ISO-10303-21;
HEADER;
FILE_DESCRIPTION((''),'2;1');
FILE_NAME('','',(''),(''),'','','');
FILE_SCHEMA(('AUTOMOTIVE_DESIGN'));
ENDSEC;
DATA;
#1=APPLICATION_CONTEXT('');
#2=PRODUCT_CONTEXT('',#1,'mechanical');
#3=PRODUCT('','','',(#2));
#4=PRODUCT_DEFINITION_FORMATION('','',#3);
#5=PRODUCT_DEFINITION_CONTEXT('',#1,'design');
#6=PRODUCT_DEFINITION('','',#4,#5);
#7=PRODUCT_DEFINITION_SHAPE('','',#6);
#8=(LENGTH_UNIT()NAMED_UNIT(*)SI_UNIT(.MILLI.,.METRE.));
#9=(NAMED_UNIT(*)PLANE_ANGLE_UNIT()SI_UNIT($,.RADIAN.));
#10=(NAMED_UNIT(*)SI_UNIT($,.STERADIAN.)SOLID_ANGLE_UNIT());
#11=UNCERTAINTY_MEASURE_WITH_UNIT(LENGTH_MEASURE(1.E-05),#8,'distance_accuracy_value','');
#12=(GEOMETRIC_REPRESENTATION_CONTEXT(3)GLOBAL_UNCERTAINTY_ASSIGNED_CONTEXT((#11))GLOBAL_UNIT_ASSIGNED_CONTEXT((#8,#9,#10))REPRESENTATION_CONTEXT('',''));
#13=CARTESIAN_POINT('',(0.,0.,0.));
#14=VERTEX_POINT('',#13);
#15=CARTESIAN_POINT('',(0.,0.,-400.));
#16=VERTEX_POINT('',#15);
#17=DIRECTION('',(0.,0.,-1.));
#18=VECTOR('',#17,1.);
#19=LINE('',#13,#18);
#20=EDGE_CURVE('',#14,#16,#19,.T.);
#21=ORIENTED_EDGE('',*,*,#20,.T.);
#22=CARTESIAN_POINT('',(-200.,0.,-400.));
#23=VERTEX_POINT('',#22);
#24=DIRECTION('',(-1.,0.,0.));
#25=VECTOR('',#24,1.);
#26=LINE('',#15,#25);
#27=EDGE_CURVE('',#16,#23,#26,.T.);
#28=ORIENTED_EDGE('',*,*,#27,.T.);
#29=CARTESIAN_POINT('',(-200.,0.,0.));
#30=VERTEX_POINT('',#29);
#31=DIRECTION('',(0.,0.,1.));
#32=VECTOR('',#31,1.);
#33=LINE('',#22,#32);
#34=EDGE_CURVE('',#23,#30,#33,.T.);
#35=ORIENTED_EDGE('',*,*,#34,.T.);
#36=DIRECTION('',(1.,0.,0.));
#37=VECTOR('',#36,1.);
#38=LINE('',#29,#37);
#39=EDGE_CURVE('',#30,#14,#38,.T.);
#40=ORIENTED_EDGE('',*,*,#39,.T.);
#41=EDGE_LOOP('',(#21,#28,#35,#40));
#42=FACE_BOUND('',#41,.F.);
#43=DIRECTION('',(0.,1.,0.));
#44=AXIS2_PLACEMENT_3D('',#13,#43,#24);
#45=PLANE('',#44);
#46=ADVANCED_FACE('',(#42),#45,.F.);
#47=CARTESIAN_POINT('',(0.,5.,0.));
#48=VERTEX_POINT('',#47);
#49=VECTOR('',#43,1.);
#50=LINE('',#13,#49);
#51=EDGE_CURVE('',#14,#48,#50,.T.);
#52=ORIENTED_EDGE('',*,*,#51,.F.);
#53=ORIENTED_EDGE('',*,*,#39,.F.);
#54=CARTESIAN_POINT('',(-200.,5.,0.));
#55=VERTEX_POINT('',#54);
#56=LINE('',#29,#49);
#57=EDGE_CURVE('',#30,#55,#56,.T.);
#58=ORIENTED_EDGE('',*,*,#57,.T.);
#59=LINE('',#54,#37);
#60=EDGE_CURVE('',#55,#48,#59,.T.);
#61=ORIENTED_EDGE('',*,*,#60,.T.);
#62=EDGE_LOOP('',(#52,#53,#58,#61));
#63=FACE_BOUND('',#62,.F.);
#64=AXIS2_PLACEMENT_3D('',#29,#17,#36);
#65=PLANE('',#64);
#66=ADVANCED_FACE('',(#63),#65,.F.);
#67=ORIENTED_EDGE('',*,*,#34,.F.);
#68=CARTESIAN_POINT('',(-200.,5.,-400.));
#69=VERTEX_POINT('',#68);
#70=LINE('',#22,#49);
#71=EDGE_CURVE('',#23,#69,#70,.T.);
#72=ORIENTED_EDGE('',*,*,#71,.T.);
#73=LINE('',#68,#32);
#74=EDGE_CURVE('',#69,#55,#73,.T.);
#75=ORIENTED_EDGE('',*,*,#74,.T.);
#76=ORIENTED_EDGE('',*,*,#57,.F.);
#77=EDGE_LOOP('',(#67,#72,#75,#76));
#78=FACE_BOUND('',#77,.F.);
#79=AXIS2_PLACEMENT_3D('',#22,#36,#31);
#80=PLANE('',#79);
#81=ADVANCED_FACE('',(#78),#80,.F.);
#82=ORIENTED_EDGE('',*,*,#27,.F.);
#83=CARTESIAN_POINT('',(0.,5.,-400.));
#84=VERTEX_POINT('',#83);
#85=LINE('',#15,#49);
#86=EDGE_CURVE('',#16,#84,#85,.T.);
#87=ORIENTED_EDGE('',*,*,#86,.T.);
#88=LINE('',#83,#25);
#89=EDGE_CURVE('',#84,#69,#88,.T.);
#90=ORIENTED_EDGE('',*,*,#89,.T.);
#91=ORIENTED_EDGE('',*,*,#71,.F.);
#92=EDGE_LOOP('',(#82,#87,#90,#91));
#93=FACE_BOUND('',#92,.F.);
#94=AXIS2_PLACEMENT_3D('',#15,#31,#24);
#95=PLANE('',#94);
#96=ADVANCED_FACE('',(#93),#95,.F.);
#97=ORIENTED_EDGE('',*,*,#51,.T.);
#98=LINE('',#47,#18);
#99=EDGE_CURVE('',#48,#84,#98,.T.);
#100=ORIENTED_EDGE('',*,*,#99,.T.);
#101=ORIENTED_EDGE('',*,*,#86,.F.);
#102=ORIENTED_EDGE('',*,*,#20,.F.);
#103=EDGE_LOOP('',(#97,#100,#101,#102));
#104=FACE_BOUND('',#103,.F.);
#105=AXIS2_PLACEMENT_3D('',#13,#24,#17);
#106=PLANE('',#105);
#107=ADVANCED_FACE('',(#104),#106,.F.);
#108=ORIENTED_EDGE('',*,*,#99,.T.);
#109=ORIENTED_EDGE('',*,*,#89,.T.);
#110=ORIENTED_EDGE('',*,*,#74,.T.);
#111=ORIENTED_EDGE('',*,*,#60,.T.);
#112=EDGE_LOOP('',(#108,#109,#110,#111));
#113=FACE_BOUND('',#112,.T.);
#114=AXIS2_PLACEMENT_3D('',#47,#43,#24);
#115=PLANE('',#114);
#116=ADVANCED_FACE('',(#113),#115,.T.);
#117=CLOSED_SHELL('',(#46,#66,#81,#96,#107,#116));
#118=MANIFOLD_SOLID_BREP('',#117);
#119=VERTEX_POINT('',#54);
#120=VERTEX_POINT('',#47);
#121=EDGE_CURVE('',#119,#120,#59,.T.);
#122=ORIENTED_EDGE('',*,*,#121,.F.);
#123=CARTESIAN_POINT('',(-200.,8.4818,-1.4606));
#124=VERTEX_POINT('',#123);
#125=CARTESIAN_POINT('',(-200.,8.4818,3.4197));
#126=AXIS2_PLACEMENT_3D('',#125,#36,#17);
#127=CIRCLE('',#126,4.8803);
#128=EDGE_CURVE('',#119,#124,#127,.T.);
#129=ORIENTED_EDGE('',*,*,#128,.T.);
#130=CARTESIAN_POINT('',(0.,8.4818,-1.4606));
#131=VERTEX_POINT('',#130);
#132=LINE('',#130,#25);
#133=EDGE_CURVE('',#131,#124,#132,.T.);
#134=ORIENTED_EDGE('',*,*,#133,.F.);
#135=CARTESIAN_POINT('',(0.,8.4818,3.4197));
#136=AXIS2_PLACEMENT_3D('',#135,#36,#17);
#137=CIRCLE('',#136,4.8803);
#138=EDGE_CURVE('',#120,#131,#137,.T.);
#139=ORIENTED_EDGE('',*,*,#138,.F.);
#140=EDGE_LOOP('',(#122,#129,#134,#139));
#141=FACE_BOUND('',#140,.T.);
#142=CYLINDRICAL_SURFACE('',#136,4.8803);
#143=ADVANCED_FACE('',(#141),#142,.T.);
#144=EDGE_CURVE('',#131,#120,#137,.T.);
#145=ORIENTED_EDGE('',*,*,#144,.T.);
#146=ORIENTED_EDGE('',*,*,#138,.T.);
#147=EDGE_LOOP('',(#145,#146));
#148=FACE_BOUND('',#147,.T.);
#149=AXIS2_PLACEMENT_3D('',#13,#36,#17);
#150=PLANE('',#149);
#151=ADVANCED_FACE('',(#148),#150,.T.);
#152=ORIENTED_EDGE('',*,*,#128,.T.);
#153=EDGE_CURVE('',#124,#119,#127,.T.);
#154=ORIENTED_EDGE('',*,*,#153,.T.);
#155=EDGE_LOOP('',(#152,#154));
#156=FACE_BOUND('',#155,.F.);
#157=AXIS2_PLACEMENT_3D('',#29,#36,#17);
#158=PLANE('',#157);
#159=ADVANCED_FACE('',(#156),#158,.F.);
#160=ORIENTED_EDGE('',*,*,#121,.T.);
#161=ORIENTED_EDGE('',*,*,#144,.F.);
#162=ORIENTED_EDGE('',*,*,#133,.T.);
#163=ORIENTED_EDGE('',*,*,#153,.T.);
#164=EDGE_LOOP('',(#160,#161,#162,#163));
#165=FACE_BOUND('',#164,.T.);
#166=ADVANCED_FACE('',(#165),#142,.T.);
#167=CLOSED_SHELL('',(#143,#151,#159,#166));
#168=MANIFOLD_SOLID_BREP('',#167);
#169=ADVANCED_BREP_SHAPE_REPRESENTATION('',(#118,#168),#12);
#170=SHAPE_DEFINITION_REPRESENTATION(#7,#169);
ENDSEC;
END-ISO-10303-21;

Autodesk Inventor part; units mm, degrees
ref_plane "YZ Plane" through (0, 0, 0) normal (1, 0, 0) x (0, 1, 0)
ref_plane "XZ Plane" through (0, 0, 0) normal (0, 1, 0) x (-1, 0, 0)
ref_plane "XY Plane" through (0, 0, 0) normal (0, 0, 1) x (1, 0, 0)
sketch "Esboço1" plane through (0, 0, 0) normal (0, 1, 0) x (-1, 0, 0)
  point P0 (0, 0)
sketch "Esboço2" plane through (0, 0, 0) normal (0, 1, 0) x (-1, 0, 0)
  line L0 (0, 0) -> (0, -400)
  line L1 (0, -400) -> (200, -400)
  line L2 (200, -400) -> (200, 0)
  line L3 (200, 0) -> (0, 0)
  dimension "d0" = 400
  dimension "d1" = 200
extrude "Extrusão1" add sketch "Esboço2" along normal blind 5
sketch "Esboço3" plane through (0, 0, 0) normal (1, 0, 0) x (0, 0, -1)
  line L0 (0, 5) -> (400, 5) projected
  circle A0 centre (-3.4197, 8.4818) radius 4.8803
  point P0 (0, 0)
extrude "Extrusão2" add sketch "Esboço3" against normal blind 200
properties part number "base base"
